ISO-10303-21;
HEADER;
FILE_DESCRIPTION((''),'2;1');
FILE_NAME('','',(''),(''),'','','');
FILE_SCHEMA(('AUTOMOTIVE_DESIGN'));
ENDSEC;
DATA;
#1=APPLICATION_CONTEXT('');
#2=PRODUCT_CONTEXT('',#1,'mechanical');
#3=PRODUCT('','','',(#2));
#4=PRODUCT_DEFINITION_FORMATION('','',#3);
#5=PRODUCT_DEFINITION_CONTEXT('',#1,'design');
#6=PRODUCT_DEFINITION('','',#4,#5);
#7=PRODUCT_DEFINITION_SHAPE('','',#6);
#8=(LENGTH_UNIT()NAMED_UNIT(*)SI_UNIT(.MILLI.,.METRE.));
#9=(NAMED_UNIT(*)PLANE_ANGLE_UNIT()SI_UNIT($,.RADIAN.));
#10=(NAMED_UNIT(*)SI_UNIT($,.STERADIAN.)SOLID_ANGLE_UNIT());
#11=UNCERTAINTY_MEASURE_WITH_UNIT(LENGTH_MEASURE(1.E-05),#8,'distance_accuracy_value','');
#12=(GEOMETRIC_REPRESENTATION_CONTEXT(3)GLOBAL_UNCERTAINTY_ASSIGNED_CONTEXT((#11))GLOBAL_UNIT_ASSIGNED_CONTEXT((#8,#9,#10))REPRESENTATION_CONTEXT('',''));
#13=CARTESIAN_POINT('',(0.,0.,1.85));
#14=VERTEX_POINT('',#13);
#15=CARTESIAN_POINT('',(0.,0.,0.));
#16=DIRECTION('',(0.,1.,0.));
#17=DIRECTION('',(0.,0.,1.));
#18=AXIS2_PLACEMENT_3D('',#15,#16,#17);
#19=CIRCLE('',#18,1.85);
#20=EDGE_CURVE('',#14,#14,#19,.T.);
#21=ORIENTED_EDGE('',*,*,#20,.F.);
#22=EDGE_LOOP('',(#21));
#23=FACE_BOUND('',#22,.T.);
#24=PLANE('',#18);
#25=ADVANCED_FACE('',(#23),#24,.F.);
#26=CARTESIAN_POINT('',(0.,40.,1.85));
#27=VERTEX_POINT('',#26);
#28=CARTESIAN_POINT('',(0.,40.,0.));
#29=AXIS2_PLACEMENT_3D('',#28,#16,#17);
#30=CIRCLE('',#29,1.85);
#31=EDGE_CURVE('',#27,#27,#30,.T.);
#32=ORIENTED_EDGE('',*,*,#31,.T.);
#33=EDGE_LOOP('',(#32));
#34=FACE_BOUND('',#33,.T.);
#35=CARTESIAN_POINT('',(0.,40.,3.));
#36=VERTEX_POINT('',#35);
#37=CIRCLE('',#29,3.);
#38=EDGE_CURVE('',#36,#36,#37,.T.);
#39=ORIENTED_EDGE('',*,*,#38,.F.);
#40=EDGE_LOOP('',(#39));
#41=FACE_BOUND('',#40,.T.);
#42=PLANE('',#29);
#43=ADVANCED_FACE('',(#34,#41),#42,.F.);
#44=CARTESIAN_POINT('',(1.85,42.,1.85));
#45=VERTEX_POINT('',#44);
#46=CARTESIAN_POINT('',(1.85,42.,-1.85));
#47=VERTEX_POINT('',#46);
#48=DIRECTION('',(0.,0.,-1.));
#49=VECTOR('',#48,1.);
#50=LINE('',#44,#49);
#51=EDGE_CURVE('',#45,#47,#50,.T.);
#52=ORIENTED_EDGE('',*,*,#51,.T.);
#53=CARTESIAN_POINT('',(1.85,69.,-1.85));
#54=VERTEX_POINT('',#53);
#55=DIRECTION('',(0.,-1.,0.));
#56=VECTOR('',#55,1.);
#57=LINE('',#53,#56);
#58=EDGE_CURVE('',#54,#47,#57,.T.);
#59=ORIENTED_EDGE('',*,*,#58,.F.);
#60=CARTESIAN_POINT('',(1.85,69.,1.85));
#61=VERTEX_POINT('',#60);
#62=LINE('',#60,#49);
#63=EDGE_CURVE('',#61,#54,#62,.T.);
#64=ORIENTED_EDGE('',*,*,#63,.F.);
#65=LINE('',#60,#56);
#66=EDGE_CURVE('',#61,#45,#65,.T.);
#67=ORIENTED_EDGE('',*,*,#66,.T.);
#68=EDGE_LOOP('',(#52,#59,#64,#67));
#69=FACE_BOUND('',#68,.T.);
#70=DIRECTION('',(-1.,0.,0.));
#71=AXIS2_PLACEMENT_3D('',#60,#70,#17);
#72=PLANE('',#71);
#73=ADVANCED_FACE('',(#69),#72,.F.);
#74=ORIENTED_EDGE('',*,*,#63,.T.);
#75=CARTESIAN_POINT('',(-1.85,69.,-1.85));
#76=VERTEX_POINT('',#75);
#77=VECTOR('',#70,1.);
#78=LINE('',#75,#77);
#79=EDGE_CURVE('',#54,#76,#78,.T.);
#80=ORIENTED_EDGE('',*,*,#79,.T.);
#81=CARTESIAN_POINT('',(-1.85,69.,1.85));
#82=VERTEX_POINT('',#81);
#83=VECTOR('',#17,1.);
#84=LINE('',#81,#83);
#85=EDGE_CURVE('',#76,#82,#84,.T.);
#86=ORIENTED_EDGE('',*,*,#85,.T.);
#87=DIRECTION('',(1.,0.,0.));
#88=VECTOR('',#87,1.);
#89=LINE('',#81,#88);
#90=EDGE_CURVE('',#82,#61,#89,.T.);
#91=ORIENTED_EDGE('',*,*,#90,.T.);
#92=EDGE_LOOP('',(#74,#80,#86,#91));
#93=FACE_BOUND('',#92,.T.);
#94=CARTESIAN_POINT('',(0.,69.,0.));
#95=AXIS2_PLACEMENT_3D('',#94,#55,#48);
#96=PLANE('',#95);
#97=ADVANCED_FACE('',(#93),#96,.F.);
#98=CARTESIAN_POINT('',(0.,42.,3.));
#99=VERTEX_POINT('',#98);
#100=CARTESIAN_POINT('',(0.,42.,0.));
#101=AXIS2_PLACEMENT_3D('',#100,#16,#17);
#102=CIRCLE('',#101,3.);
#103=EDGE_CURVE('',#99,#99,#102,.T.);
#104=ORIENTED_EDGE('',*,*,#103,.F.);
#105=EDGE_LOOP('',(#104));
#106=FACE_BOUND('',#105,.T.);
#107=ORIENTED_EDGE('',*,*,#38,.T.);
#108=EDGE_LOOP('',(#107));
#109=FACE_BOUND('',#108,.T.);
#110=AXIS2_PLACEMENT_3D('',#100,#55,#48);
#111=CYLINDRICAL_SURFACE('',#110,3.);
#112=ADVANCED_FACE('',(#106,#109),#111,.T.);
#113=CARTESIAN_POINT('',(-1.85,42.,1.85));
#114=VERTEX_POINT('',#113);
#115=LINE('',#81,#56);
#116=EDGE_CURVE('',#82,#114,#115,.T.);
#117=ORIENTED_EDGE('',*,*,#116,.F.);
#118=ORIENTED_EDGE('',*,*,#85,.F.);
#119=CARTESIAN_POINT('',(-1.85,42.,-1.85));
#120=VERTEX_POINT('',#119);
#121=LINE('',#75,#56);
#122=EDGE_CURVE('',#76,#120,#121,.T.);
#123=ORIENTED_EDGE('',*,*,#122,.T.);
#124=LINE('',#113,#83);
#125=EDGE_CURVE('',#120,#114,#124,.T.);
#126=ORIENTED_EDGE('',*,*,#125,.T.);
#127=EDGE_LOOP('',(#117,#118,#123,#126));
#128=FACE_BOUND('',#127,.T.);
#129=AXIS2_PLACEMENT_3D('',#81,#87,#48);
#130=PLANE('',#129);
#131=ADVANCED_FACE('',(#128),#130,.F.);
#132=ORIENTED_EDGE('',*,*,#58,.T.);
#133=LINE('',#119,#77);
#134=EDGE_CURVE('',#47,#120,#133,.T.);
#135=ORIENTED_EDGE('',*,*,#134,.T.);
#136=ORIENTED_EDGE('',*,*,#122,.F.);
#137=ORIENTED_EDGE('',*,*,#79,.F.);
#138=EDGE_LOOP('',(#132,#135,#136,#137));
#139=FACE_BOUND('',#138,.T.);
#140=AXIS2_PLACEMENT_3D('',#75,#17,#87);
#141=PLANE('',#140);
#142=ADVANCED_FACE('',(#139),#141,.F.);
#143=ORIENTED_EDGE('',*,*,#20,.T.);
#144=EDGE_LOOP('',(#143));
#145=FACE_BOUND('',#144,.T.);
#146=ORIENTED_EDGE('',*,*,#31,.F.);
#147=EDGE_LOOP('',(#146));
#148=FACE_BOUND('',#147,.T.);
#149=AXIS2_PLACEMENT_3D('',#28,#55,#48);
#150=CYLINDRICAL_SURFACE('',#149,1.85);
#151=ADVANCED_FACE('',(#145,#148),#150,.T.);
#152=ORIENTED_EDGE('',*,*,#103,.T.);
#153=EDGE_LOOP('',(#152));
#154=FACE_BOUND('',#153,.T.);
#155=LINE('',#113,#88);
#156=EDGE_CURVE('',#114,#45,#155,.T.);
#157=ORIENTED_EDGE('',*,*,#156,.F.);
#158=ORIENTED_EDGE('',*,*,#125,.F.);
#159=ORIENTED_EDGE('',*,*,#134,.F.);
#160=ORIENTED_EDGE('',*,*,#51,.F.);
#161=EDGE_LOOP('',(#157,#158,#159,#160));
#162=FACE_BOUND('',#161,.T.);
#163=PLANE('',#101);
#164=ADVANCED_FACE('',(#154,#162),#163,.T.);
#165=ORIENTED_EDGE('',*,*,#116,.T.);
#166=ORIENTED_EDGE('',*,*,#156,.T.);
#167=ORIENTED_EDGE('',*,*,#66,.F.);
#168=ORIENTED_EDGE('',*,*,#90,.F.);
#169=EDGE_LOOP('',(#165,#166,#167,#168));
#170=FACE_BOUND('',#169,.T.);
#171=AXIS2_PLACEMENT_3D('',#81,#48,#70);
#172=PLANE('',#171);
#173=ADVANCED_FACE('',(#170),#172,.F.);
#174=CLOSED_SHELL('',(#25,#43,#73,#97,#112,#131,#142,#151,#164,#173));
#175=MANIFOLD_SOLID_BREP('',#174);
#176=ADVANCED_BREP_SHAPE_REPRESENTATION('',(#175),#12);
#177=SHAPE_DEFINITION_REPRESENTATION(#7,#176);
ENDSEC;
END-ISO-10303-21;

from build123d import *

# Parameters (mm, degrees)
SKETCH2_R           = 1.85
BOSS_EXTRUDE1_DEPTH = 40
SKETCH3_R           = 3
BOSS_EXTRUDE2_DEPTH = 2
SKETCH4_W           = 3.7
SKETCH4_H           = 3.7
BOSS_EXTRUDE3_DEPTH = 27


with BuildPart() as part:
    # Sketch2 → Boss-Extrude1 (new body)
    with BuildSketch(Plane(origin=(0, 0, 0), x_dir=(1, 0, 0), z_dir=(0, 1, 0))):
        with Locations(Location((0, 0, 0), (0, 0, 270))):
            Circle(SKETCH2_R)
    extrude(amount=BOSS_EXTRUDE1_DEPTH)

    # Sketch3 → Boss-Extrude2 (add)
    with BuildSketch(Plane(origin=(0, 40, 0), x_dir=(1, 0, 0), z_dir=(0, 1, 0))):
        with Locations(Location((0, 0, 0), (0, 0, 270))):
            Circle(SKETCH3_R)
    extrude(amount=BOSS_EXTRUDE2_DEPTH)

    # Sketch4 → Boss-Extrude3 (add)
    with BuildSketch(Plane(origin=(0, 42, 0), x_dir=(1, 0, 0), z_dir=(0, 1, 0))):
        Rectangle(SKETCH4_W, SKETCH4_H)
    extrude(amount=BOSS_EXTRUDE3_DEPTH)


solid = part.part
